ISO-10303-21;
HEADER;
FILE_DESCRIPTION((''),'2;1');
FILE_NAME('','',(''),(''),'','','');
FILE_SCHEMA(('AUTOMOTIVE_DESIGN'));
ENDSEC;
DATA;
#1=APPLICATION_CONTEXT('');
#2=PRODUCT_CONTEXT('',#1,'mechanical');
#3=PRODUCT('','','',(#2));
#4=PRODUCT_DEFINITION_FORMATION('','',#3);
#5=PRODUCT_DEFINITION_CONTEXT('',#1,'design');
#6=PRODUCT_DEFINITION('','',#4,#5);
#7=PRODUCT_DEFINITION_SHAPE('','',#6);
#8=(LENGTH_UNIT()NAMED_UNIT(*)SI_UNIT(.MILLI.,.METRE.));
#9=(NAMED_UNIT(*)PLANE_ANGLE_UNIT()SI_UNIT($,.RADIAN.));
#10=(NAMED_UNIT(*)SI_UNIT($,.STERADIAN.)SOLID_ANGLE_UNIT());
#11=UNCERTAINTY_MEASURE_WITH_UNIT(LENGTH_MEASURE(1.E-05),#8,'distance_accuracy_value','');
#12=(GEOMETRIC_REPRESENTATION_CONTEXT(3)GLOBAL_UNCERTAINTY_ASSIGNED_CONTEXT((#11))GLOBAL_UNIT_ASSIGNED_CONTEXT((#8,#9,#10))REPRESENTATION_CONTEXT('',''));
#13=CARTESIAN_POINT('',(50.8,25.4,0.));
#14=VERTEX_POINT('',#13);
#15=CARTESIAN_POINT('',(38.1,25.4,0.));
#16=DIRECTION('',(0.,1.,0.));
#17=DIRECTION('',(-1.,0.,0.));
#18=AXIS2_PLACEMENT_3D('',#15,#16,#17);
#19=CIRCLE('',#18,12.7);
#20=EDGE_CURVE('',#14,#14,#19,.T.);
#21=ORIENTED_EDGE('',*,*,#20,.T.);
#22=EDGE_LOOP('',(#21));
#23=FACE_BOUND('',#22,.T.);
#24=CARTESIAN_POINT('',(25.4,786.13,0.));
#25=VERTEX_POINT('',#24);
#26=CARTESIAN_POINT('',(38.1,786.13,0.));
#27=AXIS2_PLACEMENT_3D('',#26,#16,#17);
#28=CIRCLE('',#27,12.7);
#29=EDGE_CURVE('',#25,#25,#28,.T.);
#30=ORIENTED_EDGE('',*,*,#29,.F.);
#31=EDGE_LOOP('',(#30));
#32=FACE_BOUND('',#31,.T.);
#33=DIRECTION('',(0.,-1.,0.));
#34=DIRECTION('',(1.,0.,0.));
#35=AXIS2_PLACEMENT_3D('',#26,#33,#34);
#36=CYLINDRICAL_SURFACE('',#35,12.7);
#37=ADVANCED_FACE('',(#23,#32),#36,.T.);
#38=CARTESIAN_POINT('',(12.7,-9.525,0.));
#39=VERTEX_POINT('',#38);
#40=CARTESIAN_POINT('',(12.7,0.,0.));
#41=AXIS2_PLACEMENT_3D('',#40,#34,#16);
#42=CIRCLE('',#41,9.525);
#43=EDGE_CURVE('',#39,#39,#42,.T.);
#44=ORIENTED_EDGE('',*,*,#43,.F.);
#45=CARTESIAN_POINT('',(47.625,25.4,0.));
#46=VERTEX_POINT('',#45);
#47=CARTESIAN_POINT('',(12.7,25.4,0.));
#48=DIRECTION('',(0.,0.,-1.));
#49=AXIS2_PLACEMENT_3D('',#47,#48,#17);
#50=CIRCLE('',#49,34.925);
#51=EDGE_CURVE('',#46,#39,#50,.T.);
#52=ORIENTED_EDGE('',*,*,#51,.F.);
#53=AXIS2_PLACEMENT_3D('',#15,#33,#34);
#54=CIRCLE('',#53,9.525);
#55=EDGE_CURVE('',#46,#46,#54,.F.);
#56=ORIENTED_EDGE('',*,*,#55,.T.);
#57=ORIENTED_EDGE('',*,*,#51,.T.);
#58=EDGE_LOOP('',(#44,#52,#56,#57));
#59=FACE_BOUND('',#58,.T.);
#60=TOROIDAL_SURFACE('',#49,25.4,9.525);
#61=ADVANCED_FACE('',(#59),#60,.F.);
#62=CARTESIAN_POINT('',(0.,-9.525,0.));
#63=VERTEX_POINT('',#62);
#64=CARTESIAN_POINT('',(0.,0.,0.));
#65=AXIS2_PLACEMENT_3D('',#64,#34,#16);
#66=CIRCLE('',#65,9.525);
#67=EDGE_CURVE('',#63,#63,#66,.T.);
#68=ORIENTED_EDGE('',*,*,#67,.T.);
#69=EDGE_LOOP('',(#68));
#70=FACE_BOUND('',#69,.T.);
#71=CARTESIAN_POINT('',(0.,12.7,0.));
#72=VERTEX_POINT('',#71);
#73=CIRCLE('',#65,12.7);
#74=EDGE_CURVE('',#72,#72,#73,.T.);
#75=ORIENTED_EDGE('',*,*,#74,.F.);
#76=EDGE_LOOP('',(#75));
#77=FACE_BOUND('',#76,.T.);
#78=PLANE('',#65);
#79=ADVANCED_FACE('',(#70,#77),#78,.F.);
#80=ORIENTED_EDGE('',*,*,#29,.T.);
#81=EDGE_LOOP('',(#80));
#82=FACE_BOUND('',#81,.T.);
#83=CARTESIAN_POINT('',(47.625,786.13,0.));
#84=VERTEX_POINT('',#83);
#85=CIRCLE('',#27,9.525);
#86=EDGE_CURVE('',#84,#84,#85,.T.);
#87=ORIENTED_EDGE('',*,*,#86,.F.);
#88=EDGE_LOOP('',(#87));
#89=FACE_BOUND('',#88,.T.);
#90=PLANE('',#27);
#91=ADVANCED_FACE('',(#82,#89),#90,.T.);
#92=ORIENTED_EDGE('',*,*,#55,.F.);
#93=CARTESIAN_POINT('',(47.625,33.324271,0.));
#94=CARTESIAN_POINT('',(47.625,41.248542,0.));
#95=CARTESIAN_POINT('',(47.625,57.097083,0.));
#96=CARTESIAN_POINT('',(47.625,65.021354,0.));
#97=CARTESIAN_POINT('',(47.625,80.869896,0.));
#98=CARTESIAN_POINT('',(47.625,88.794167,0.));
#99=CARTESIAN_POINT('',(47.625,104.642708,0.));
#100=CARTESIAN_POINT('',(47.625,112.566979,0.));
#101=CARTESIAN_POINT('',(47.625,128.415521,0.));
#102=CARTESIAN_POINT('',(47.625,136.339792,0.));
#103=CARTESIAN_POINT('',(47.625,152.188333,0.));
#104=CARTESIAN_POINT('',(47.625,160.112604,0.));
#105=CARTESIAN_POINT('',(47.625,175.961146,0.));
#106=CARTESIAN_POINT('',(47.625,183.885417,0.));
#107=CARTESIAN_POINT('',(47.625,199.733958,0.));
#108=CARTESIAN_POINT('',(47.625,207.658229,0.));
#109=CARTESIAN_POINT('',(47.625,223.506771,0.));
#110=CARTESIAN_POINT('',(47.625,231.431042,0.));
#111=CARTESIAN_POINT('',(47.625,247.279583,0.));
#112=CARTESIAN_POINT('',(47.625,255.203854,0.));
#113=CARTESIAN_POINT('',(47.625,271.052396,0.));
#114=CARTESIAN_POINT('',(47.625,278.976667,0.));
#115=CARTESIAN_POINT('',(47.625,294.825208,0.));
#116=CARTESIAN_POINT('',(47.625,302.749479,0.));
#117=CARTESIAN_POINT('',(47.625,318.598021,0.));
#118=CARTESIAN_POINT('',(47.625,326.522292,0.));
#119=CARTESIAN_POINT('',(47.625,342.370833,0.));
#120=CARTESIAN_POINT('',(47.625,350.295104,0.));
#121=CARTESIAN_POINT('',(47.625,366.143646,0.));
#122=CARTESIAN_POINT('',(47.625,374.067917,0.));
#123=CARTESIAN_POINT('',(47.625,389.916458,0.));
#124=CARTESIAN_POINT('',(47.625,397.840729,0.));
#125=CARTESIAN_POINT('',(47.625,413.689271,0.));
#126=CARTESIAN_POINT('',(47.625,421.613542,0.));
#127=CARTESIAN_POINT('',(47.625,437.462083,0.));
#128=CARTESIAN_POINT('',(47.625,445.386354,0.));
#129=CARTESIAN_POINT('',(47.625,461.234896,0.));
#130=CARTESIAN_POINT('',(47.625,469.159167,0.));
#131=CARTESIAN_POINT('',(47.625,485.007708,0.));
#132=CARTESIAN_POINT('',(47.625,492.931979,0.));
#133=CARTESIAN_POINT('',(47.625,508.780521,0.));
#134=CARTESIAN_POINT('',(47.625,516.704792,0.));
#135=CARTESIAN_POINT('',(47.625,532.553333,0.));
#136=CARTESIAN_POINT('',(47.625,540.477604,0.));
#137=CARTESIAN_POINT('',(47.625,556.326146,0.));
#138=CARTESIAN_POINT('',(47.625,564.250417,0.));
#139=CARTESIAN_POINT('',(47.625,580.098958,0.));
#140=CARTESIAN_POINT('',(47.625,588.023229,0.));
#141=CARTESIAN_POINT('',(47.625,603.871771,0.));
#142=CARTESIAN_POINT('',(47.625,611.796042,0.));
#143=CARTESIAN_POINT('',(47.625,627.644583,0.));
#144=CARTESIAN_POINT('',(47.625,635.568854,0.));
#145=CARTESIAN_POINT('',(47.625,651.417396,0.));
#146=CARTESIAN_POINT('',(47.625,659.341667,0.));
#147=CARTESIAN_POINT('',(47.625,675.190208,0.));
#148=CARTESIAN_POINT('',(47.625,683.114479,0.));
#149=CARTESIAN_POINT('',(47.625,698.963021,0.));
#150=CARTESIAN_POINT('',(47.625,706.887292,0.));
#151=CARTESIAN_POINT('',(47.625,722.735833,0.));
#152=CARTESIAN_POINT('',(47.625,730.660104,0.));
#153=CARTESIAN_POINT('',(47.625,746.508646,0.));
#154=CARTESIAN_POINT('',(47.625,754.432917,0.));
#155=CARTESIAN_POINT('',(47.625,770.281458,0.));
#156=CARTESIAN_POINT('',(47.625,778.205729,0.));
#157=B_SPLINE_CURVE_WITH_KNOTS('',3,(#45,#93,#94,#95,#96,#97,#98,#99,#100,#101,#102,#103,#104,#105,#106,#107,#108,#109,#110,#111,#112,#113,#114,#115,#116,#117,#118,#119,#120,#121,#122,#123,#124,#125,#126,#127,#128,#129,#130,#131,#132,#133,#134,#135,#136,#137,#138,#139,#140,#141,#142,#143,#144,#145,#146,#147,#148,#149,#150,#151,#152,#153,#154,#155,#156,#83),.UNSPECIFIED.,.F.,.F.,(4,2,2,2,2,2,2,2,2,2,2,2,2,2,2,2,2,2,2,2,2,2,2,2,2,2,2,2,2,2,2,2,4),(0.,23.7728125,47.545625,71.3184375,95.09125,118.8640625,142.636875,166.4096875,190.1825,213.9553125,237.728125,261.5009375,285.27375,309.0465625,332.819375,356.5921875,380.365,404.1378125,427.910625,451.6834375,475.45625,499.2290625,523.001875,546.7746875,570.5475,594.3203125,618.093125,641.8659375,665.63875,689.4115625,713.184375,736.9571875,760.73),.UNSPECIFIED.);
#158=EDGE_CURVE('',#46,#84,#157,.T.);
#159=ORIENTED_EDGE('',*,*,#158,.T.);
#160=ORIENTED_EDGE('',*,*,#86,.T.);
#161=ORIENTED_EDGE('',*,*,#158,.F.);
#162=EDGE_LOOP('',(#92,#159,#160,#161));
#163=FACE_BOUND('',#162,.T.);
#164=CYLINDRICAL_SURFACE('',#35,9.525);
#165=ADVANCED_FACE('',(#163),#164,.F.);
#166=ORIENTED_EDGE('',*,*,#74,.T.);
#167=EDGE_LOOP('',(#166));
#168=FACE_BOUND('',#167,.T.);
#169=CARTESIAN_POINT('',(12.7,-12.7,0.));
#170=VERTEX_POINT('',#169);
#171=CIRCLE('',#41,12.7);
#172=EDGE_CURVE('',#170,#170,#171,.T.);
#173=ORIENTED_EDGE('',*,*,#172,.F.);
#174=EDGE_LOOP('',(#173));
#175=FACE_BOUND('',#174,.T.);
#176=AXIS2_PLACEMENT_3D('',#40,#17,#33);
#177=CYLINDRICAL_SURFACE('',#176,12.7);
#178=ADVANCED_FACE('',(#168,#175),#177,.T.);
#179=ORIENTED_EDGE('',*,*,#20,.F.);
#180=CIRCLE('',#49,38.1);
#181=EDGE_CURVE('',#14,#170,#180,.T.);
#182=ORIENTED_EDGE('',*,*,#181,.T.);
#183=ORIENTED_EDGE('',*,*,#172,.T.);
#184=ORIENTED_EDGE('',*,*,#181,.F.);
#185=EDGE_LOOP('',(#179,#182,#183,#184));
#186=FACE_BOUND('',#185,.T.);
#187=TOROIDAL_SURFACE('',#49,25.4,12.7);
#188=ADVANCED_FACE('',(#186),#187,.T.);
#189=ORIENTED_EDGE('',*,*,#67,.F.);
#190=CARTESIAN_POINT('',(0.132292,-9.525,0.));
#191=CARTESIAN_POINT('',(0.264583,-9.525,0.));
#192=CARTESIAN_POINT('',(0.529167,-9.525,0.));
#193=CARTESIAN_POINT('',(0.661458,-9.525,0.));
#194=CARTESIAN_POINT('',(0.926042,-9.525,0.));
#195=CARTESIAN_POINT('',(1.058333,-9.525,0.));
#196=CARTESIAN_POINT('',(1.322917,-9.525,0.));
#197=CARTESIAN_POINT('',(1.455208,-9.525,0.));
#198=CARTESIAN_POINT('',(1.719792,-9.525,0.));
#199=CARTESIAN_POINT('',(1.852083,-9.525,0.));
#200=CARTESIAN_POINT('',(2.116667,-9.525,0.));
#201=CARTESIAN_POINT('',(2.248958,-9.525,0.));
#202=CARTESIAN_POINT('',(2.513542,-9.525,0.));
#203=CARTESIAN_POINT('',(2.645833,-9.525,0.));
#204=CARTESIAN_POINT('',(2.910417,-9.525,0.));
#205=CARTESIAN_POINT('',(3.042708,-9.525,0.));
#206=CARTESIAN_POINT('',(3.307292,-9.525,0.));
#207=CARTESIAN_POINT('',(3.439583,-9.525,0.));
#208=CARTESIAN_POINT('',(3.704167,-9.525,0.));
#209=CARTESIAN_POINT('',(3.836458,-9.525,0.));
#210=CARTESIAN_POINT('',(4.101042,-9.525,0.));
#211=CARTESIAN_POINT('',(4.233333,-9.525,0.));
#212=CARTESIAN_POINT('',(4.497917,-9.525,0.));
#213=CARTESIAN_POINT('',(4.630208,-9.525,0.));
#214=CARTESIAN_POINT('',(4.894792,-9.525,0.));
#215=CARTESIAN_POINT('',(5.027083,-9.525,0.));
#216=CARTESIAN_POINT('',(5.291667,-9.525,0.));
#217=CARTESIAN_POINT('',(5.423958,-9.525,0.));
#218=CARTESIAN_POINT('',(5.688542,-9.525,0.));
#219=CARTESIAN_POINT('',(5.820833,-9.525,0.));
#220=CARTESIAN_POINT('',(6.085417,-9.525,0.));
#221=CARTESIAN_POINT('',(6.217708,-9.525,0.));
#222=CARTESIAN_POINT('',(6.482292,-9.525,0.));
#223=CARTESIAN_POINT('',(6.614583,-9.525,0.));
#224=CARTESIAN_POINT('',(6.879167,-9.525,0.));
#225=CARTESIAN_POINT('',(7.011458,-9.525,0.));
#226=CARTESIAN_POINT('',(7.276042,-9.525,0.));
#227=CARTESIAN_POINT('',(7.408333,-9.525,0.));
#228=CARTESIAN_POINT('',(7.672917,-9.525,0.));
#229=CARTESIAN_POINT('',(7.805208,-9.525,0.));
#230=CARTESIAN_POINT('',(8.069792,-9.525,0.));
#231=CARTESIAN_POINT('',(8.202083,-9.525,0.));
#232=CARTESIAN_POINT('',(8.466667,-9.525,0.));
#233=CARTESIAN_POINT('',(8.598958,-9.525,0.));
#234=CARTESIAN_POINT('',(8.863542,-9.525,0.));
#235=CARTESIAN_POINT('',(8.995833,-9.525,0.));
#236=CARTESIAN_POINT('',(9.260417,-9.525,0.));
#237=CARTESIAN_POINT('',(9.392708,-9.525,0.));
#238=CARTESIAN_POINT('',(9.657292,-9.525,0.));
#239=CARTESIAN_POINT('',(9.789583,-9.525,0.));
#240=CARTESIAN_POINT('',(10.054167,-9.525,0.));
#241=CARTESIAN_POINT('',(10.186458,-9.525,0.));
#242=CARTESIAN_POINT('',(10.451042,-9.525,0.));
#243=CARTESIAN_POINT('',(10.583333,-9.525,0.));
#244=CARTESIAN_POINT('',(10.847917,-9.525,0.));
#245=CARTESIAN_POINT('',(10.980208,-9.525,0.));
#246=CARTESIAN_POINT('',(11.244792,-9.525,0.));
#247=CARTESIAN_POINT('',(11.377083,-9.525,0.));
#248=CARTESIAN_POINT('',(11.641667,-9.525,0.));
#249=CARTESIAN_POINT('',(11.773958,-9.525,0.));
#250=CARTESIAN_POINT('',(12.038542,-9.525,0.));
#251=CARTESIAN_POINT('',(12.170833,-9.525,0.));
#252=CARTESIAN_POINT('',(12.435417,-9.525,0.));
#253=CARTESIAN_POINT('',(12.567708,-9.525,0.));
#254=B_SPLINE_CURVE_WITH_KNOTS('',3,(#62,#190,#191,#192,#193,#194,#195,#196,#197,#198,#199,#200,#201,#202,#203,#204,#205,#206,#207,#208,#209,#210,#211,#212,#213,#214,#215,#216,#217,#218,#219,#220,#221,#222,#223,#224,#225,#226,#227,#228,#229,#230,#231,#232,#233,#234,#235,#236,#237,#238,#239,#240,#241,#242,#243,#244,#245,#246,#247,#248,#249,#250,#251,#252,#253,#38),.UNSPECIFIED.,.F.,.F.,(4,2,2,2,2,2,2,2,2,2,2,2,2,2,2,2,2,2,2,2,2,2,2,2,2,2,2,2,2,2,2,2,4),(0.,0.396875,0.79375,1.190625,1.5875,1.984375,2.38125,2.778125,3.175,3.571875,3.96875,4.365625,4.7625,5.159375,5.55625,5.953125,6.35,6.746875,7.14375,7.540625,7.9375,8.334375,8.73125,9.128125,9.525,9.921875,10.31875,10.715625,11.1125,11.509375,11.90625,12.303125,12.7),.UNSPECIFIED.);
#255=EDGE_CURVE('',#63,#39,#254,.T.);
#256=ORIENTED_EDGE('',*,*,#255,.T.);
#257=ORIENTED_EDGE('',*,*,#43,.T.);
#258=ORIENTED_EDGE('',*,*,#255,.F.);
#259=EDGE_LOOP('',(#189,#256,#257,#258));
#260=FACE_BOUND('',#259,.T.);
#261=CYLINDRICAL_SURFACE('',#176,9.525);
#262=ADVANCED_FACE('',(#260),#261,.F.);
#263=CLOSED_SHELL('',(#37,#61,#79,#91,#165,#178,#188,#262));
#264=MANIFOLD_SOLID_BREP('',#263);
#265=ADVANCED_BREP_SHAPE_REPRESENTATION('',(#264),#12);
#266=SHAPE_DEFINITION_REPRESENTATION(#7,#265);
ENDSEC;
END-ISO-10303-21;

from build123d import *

# Parameters (mm, degrees)
SWEEP1_PROFILE_R = 12.7
SHELL2_T         = -3.175


with BuildPart() as part:
    # Sweep1: sweep along a path in Sketch1
    with BuildLine(Plane.XY) as sweep1_path:
        Line((38.1, 786.13), (38.1, 25.4))
        ThreePointArc((38.1, 25.4), (30.660512242, 7.439487758), (12.7, 0))
        Line((12.7, 0), (0, 0))
    # Sweep1 profile (on start of the path) → Sweep1 (sweep)
    with BuildSketch(Plane(origin=(38.1, 786.13, 0), x_dir=(-1, 0, 0), z_dir=(0, -1, 0))):
        Circle(SWEEP1_PROFILE_R)
    sweep(path=sweep1_path.line)

    # Shell2
    shell2_openings = [part.faces().sort_by_distance(p)[0] for p in [
        (0, 0, 0),
        (38.1, 786.13, 0),
    ]]
    offset(amount=SHELL2_T, openings=shell2_openings, kind=Kind.INTERSECTION)


solid = part.part
